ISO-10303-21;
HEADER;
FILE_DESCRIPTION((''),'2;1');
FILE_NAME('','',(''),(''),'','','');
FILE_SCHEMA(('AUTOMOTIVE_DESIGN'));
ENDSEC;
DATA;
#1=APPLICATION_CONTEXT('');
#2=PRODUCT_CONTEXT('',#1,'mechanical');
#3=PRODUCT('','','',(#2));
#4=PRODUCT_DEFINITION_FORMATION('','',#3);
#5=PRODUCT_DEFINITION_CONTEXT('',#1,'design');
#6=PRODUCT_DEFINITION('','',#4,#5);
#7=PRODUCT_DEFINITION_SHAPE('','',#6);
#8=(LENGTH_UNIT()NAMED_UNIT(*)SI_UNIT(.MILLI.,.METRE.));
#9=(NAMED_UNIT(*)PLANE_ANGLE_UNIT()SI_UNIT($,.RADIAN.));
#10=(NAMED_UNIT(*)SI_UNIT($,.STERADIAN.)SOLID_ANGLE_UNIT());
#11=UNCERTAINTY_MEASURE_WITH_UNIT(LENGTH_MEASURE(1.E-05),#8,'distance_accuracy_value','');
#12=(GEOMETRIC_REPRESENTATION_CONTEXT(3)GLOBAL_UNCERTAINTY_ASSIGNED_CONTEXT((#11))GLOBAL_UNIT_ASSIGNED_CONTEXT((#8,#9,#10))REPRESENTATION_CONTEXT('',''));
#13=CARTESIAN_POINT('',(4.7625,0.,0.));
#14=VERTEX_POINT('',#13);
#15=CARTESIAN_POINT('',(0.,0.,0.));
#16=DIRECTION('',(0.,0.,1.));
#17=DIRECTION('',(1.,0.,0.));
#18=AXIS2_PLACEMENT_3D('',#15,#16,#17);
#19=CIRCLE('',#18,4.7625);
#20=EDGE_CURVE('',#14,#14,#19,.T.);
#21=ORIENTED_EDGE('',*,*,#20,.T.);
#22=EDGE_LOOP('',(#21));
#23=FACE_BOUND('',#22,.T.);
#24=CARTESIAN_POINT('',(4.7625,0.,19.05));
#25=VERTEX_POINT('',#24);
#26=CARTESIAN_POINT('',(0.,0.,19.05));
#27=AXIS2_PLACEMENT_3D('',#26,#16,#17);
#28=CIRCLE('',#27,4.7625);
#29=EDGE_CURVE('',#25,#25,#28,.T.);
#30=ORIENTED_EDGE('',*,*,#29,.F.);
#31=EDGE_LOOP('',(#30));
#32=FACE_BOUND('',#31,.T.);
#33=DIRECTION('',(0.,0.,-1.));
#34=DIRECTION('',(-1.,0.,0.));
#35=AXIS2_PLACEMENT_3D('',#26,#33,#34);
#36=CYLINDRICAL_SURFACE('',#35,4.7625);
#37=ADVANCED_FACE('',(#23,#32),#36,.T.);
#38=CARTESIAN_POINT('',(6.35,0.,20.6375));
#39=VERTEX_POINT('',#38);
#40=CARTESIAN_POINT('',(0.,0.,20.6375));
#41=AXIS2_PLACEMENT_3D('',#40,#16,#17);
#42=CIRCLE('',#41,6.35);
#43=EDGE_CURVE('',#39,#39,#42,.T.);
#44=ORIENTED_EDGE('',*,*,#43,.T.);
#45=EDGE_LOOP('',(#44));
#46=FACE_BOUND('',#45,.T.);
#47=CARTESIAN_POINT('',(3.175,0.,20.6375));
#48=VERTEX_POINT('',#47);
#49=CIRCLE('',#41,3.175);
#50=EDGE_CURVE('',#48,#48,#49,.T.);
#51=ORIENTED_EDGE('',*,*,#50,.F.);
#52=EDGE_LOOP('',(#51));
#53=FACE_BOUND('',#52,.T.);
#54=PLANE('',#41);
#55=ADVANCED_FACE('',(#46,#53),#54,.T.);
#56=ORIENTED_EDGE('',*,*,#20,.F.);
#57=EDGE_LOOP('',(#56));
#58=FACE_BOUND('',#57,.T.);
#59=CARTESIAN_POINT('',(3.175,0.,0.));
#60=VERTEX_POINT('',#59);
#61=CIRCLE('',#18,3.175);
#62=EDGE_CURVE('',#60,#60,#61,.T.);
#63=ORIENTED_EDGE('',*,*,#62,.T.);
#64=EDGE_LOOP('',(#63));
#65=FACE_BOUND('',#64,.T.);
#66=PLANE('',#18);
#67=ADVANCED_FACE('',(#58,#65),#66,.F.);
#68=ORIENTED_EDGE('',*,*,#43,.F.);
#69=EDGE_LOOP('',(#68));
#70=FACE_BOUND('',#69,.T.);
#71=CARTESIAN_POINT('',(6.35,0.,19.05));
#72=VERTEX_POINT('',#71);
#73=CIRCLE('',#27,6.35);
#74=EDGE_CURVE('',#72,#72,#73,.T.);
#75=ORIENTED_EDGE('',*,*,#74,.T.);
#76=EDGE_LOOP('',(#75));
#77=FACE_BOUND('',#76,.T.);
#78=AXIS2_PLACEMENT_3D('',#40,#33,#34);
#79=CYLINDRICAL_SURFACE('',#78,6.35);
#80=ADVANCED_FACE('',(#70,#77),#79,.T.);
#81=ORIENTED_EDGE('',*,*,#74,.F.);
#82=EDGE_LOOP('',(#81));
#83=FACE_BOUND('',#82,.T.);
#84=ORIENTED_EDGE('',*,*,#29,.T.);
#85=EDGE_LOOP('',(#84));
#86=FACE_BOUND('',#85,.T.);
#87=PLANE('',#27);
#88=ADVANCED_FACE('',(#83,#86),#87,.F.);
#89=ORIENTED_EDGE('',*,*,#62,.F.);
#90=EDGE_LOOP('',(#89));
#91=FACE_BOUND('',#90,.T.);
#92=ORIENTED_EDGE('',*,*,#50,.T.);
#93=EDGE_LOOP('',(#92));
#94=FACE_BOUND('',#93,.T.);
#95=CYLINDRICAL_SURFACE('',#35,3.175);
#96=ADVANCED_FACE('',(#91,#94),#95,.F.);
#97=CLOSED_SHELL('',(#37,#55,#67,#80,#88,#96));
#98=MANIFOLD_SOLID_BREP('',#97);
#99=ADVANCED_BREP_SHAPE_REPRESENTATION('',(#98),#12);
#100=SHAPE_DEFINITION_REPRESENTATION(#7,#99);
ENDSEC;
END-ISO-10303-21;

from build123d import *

# Parameters (mm, degrees)
SKETCH1_R           = 4.7625
SKETCH1_R_2         = 3.175
BOSS_EXTRUDE1_DEPTH = 19.05
SKETCH2_R           = 6.35
SKETCH2_R_2         = 3.175
BOSS_EXTRUDE2_DEPTH = 1.5875


with BuildPart() as part:
    # Sketch1 → Boss-Extrude1 (new body)
    with BuildSketch(Plane.XY):
        Circle(SKETCH1_R)
        Circle(SKETCH1_R_2, mode=Mode.SUBTRACT)
    extrude(amount=BOSS_EXTRUDE1_DEPTH)

    # Sketch2 → Boss-Extrude2 (add)
    with BuildSketch(Plane.XY.offset(19.05)):
        Circle(SKETCH2_R)
        Circle(SKETCH2_R_2, mode=Mode.SUBTRACT)
    extrude(amount=BOSS_EXTRUDE2_DEPTH)


solid = part.part
